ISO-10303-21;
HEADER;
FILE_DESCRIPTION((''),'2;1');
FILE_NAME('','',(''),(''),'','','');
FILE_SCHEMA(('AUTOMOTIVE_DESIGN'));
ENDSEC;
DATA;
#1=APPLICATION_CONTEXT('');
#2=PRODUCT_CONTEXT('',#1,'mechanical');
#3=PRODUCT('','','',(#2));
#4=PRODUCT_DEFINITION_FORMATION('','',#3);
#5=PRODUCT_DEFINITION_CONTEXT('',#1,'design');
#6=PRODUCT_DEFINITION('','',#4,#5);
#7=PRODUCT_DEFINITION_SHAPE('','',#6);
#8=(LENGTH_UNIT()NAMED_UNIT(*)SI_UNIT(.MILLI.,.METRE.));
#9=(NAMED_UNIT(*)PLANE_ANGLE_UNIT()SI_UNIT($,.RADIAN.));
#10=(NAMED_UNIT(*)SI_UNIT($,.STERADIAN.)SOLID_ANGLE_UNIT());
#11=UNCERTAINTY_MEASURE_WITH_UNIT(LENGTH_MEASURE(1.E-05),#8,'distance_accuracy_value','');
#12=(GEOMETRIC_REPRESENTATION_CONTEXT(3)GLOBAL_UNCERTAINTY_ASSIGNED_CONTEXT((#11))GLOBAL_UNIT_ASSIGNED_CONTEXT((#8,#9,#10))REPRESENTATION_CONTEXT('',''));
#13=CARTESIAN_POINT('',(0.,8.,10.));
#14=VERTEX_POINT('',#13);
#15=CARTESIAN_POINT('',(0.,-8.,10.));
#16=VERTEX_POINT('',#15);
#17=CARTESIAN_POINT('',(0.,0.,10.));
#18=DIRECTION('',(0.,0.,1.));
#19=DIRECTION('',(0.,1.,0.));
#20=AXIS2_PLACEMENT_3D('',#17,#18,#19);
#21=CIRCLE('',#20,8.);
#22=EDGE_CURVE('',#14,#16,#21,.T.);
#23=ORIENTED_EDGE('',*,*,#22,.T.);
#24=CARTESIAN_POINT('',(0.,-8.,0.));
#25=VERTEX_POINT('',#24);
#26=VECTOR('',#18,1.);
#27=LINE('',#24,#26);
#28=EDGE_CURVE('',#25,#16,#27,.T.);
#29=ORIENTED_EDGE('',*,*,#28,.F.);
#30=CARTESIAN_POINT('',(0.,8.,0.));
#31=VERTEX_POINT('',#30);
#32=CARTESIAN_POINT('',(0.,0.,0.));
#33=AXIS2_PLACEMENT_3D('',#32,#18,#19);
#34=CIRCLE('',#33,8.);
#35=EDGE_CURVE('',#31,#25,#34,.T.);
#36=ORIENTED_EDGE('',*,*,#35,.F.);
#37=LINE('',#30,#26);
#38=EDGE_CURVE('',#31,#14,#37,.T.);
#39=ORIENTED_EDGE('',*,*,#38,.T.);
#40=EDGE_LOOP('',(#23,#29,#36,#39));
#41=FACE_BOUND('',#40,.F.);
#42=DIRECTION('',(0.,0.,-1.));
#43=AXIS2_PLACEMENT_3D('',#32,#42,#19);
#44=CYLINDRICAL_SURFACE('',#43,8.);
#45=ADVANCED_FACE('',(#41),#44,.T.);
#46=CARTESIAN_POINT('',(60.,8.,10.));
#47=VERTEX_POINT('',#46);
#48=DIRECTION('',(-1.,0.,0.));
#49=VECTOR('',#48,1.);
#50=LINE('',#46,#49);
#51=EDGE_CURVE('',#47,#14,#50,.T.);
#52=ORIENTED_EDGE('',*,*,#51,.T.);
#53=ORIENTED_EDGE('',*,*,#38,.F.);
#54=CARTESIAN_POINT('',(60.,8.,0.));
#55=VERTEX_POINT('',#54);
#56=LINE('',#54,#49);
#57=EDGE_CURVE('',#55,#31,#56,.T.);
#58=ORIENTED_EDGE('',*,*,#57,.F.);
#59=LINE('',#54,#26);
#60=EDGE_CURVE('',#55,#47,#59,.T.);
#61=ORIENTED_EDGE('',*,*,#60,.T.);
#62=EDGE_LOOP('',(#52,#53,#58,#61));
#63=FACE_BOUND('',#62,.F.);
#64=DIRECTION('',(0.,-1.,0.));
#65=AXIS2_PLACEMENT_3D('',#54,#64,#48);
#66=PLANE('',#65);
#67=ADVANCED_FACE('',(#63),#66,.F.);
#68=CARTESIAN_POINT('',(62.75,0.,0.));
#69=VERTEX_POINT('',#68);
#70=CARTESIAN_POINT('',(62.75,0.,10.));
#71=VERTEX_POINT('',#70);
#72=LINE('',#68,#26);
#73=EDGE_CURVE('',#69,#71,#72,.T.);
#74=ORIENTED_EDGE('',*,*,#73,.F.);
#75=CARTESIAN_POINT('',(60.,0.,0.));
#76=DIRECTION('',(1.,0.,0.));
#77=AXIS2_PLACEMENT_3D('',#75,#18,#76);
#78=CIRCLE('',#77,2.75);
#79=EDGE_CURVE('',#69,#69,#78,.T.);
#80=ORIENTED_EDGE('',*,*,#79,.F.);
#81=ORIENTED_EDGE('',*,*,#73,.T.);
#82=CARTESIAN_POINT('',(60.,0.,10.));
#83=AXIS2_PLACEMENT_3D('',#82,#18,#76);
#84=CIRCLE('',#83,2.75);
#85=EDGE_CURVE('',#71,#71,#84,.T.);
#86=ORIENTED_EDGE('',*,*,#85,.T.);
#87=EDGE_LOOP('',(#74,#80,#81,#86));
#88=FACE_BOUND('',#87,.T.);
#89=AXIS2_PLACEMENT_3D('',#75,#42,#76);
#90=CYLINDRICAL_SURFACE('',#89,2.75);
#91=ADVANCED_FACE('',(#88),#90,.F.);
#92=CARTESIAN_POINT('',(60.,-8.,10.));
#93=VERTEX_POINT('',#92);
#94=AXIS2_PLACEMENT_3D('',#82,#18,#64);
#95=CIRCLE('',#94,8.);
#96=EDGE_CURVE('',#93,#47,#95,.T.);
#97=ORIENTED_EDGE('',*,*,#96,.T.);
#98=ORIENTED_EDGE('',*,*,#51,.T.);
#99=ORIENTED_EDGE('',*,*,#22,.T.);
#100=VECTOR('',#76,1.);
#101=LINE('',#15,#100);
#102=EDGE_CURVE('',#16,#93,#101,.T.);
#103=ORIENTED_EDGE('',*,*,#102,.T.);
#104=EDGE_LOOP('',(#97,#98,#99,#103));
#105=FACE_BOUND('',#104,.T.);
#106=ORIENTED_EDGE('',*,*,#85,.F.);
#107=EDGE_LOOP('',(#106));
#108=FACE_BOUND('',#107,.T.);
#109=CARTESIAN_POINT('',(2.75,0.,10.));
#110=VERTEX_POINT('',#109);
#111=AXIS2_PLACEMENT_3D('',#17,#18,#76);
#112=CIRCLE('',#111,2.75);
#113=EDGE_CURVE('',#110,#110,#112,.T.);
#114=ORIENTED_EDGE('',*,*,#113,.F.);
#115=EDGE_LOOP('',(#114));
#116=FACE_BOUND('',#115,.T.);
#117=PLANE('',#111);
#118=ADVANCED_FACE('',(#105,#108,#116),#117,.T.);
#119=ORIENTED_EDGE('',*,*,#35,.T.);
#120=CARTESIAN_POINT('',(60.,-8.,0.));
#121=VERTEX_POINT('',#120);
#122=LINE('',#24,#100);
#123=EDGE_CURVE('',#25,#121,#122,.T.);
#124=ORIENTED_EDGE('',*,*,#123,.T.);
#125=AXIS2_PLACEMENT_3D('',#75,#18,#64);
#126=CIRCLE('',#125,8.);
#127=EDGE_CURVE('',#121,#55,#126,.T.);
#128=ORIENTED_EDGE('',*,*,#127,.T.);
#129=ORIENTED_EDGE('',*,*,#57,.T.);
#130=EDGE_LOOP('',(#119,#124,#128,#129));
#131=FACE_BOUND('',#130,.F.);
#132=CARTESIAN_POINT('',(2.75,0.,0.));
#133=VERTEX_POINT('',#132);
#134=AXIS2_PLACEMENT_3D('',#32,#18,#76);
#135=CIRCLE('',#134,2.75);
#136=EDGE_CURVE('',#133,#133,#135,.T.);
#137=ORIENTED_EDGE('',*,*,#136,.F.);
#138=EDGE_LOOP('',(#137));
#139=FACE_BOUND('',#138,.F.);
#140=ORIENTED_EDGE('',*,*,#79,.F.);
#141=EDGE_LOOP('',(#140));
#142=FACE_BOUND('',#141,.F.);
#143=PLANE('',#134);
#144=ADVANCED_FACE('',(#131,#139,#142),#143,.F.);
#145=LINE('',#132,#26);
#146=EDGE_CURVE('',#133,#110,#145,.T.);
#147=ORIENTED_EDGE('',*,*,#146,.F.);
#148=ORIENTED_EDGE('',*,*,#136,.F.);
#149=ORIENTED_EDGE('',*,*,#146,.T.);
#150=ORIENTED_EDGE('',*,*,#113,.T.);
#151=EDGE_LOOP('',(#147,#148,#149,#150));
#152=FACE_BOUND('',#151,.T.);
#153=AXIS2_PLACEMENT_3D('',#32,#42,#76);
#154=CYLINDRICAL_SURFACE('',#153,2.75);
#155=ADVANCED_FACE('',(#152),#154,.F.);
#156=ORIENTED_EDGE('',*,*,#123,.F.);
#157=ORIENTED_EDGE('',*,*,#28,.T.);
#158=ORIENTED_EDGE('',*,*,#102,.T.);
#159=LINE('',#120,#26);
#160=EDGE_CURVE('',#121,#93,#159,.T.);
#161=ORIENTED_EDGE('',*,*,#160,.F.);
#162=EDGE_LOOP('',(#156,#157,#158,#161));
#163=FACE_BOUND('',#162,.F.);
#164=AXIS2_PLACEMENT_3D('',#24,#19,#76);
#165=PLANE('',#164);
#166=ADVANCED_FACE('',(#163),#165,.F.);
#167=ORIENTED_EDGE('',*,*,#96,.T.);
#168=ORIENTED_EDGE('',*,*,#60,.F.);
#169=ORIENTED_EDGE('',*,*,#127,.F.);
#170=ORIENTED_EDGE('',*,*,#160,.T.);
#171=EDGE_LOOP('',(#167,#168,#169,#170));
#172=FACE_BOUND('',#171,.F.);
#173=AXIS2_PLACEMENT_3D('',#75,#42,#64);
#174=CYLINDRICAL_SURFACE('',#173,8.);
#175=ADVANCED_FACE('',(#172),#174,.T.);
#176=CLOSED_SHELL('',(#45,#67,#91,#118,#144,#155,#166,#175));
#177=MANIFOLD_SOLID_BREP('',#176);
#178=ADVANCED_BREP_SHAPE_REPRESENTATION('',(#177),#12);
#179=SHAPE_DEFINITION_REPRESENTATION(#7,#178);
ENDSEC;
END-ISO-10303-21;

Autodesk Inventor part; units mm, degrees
ref_plane "YZ Plane" through (0, 0, 0) normal (1, 0, 0) x (0, 1, 0)
ref_plane "XZ Plane" through (0, 0, 0) normal (0, 1, 0) x (-1, 0, 0)
ref_plane "XY Plane" through (0, 0, 0) normal (0, 0, 1) x (1, 0, 0)
sketch "Sketch1" plane through (0, 0, 0) normal (0, 0, 1) x (1, 0, 0)
  line L0 (0, 0) -> (60, 0) construction
  line L1 (0, -8) -> (60, -8)
  line L2 (60, 8) -> (0, 8)
  arc A0 (0, 8) -> (0, -8) centre (0, 0) ccw
  arc A1 (60, -8) -> (60, 8) centre (60, 0) ccw
  circle A2 centre (0, 0) radius 2.75
  circle A3 centre (60, 0) radius 2.75
  point P0 (30, 0)
  dimension "d0" = 60
  dimension "d1" = 8
  dimension "d2" = 5.5
extrude "Extrusion1" add sketch "Sketch1" along normal blind 10
properties part number "linkB"
